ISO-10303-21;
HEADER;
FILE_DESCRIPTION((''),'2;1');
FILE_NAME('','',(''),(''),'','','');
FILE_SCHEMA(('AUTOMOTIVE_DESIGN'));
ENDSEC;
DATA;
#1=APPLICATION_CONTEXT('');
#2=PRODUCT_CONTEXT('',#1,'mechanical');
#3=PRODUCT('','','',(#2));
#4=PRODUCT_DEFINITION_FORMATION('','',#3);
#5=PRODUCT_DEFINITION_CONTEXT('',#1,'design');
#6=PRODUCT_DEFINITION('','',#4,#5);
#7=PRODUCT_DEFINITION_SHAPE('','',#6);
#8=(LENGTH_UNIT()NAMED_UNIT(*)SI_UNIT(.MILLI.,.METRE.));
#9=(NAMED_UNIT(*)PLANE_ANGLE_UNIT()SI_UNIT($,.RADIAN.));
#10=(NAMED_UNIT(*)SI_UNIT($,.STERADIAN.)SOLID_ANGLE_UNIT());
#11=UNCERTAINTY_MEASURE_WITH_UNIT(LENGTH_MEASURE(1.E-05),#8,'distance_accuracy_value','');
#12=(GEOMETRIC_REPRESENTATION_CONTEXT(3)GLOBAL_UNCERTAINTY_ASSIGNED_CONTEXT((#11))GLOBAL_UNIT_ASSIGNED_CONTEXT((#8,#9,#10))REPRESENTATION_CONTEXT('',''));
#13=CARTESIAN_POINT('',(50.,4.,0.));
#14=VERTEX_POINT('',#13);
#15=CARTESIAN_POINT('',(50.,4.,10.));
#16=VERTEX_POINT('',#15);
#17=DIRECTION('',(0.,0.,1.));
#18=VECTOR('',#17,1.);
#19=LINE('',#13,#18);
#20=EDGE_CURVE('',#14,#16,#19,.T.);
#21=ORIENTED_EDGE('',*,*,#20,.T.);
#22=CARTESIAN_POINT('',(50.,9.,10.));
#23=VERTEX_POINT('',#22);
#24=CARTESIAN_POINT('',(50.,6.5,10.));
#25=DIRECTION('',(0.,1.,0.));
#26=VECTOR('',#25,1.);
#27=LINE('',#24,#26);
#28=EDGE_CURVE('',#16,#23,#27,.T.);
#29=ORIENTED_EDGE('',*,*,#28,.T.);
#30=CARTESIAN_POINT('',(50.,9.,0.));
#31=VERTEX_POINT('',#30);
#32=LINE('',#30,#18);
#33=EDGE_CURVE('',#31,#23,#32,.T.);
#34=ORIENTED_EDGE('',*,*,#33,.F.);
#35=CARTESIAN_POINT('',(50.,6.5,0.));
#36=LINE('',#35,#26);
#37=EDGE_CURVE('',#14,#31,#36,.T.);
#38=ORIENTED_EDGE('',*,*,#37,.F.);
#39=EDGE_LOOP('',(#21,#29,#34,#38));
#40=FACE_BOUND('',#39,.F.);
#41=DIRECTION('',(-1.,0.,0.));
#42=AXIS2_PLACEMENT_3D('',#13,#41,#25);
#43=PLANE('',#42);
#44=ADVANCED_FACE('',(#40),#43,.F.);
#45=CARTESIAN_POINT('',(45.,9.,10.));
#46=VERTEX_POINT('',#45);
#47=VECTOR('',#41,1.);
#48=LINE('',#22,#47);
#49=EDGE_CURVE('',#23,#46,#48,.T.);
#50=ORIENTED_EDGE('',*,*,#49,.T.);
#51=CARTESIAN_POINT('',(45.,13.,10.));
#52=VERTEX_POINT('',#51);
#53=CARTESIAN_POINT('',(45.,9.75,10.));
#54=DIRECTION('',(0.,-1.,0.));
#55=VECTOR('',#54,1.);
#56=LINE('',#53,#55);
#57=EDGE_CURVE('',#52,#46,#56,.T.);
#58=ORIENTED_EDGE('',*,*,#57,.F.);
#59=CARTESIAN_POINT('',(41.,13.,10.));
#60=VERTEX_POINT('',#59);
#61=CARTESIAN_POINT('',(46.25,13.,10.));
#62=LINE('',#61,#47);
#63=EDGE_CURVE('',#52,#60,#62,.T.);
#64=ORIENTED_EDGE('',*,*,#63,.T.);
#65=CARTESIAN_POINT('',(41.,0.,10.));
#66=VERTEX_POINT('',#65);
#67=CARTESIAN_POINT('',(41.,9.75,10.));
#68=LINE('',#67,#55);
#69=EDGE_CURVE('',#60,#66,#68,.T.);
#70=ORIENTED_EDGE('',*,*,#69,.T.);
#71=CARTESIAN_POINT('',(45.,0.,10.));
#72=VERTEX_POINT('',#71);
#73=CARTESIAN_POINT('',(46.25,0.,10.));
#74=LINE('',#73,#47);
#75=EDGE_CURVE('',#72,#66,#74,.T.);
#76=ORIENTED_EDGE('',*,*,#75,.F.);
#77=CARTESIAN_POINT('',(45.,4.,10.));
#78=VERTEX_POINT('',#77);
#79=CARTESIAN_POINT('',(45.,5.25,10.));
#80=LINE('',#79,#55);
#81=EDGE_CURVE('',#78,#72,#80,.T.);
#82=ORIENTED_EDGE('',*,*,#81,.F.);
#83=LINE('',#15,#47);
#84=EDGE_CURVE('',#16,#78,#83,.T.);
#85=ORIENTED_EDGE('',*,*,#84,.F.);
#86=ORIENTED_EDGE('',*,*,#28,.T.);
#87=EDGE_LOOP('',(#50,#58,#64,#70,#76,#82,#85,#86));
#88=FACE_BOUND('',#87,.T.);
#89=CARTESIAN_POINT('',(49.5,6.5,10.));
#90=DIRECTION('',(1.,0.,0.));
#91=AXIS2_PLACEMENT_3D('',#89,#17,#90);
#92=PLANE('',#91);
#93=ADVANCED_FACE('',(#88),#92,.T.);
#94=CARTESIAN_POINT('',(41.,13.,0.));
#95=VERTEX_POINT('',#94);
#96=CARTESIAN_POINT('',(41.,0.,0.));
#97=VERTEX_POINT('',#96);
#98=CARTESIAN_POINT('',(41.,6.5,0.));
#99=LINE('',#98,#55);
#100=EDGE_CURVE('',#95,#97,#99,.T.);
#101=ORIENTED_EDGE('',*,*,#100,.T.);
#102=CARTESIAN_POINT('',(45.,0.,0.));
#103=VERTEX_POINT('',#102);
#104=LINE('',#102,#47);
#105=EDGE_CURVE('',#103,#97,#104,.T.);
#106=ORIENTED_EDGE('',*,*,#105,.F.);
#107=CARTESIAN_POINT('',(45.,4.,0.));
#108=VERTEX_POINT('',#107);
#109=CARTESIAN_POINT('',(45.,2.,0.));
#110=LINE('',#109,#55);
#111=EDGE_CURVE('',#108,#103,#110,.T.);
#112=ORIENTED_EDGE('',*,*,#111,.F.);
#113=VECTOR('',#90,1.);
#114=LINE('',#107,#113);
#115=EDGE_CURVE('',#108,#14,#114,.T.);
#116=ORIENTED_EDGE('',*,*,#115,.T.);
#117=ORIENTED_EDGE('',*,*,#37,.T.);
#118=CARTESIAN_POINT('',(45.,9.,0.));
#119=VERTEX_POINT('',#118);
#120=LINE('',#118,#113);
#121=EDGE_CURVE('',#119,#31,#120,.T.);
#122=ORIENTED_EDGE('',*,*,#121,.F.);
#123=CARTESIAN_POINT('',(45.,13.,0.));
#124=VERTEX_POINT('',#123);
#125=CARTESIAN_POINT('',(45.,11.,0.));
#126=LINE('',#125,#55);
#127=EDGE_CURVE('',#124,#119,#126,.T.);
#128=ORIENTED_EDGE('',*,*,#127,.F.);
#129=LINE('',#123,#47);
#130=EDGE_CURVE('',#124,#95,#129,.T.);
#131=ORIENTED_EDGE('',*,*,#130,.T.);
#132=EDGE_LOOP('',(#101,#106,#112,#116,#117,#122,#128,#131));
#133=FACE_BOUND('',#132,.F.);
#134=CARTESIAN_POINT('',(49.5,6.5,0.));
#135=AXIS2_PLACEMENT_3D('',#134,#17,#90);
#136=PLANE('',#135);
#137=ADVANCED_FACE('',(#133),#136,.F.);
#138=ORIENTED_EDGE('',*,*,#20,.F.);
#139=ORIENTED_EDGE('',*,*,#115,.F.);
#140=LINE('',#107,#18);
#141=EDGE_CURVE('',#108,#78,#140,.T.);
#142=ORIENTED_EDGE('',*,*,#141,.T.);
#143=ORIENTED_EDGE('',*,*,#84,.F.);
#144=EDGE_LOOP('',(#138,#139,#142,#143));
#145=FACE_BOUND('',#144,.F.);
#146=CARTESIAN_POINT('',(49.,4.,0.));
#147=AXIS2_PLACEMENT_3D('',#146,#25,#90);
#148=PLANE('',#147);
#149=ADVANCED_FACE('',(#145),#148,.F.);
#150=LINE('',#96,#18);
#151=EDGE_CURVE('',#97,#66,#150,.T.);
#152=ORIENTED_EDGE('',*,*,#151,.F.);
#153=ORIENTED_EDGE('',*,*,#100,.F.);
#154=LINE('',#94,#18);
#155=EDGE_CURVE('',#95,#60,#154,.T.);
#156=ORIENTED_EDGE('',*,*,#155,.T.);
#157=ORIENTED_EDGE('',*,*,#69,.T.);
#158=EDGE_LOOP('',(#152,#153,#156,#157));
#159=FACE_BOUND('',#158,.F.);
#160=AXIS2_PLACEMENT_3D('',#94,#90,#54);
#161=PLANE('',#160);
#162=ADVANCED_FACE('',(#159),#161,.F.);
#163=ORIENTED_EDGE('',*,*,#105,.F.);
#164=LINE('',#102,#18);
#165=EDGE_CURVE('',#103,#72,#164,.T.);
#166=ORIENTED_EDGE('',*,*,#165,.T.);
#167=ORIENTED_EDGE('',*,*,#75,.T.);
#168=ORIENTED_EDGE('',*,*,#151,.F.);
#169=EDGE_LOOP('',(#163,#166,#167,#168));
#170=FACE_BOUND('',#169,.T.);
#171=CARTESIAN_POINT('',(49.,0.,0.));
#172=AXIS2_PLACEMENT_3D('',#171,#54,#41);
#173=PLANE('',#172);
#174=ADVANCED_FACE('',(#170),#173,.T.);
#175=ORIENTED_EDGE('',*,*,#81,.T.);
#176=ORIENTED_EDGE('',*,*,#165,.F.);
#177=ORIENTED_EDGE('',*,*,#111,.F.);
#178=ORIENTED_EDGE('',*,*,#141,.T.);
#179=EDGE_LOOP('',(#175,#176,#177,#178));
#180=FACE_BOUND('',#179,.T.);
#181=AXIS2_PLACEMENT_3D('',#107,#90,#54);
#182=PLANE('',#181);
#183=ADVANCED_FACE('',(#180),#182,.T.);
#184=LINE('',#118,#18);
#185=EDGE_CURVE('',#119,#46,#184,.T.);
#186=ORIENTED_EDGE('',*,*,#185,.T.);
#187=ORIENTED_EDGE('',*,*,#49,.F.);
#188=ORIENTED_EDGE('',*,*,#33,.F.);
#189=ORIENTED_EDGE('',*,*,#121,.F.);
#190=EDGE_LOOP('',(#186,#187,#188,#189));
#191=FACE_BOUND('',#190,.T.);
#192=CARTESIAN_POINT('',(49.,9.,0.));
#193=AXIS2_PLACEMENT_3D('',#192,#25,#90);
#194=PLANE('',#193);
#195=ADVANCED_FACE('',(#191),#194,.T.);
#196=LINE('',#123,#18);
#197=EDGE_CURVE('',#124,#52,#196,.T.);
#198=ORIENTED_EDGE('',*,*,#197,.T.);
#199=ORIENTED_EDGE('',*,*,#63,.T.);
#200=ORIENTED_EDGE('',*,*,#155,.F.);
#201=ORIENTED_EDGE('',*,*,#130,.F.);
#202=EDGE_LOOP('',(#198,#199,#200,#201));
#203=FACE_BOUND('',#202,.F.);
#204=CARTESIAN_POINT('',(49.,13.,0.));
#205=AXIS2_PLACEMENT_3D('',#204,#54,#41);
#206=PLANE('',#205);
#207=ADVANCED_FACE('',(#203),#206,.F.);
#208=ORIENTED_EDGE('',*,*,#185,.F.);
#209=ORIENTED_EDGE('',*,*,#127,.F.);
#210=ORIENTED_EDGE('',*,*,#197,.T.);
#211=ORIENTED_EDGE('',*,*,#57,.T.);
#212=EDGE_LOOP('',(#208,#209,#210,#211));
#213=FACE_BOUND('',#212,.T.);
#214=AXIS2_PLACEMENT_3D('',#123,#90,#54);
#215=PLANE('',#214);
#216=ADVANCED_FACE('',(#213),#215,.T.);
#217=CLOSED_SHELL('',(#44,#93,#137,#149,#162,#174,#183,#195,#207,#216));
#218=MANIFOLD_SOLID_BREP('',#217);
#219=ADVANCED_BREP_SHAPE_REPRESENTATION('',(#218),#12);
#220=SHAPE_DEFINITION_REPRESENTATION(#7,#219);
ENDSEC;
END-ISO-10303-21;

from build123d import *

# Parameters (mm, degrees)
BOX028_W               = 1
BOX028_H               = 5
BOX028_DEPTH           = 10
BOX027_W               = 13
BOX027_H               = 15
BOX027_DEPTH           = 10
BOX026_W               = 4
BOX026_H               = 4
BOX026_DEPTH           = 17
BOX025_W               = 4
BOX025_H               = 4
BOX025_DEPTH           = 17
BOX024_W               = 8
BOX024_H               = 13
BOX024_DEPTH           = 13
CUT025_PLACEMENT_ANGLE = 180


with BuildPart() as cubo028:
    # Box028 → Box028 (new body)
    with BuildSketch(Plane(origin=(49, 4, 0), x_dir=(1, 0, 0), z_dir=(0, 0, 1))):
        with Locations((0.5, 2.5)):
            Rectangle(BOX028_W, BOX028_H)
    extrude(amount=BOX028_DEPTH)


with BuildPart() as cubo027:
    # Box027 → Box027 (new body)
    with BuildSketch(Plane(origin=(38, -1, 10), x_dir=(1, 0, 0), z_dir=(0, 0, 1))):
        with Locations((6.5, 7.5)):
            Rectangle(BOX027_W, BOX027_H)
    extrude(amount=BOX027_DEPTH)


with BuildPart() as cubo026:
    # Box026 → Box026 (new body)
    with BuildSketch(Plane(origin=(0, 9, 0), x_dir=(1, 0, 0), z_dir=(0, 0, 1))):
        with Locations((2, 2)):
            Rectangle(BOX026_W, BOX026_H)
    extrude(amount=BOX026_DEPTH)


with BuildPart() as cubo025:
    # Box025 → Box025 (new body)
    with BuildSketch(Plane.XY):
        with Locations((2, 2)):
            Rectangle(BOX025_W, BOX025_H)
    extrude(amount=BOX025_DEPTH)


with BuildPart() as tope:
    # Box024 → Box024 (new body)
    with BuildSketch(Plane.XY):
        with Locations((4, 6.5)):
            Rectangle(BOX024_W, BOX024_H)
    extrude(amount=BOX024_DEPTH)

    # Cut024: cut Cubo025
    add(cubo025.part, mode=Mode.SUBTRACT)

    # Cut025: cut Cubo026
    add(cubo026.part, mode=Mode.SUBTRACT)


with BuildPart() as tope_1:
    # Cut025 placement: moved
    add(tope.part.moved(Location((50, 13, 0))).rotate(Axis((50, 13, 0), (0, 0, 1)), CUT025_PLACEMENT_ANGLE))

    # Cut026: cut Cubo027
    add(cubo027.part, mode=Mode.SUBTRACT)


with BuildPart() as tope_2:
    # Cut026 placement: moved
    add(tope_1.part.moved(Location((-1, 0, 0))))

    # Fusion014: union Cubo028
    add(cubo028.part)


solid = tope_2.part
